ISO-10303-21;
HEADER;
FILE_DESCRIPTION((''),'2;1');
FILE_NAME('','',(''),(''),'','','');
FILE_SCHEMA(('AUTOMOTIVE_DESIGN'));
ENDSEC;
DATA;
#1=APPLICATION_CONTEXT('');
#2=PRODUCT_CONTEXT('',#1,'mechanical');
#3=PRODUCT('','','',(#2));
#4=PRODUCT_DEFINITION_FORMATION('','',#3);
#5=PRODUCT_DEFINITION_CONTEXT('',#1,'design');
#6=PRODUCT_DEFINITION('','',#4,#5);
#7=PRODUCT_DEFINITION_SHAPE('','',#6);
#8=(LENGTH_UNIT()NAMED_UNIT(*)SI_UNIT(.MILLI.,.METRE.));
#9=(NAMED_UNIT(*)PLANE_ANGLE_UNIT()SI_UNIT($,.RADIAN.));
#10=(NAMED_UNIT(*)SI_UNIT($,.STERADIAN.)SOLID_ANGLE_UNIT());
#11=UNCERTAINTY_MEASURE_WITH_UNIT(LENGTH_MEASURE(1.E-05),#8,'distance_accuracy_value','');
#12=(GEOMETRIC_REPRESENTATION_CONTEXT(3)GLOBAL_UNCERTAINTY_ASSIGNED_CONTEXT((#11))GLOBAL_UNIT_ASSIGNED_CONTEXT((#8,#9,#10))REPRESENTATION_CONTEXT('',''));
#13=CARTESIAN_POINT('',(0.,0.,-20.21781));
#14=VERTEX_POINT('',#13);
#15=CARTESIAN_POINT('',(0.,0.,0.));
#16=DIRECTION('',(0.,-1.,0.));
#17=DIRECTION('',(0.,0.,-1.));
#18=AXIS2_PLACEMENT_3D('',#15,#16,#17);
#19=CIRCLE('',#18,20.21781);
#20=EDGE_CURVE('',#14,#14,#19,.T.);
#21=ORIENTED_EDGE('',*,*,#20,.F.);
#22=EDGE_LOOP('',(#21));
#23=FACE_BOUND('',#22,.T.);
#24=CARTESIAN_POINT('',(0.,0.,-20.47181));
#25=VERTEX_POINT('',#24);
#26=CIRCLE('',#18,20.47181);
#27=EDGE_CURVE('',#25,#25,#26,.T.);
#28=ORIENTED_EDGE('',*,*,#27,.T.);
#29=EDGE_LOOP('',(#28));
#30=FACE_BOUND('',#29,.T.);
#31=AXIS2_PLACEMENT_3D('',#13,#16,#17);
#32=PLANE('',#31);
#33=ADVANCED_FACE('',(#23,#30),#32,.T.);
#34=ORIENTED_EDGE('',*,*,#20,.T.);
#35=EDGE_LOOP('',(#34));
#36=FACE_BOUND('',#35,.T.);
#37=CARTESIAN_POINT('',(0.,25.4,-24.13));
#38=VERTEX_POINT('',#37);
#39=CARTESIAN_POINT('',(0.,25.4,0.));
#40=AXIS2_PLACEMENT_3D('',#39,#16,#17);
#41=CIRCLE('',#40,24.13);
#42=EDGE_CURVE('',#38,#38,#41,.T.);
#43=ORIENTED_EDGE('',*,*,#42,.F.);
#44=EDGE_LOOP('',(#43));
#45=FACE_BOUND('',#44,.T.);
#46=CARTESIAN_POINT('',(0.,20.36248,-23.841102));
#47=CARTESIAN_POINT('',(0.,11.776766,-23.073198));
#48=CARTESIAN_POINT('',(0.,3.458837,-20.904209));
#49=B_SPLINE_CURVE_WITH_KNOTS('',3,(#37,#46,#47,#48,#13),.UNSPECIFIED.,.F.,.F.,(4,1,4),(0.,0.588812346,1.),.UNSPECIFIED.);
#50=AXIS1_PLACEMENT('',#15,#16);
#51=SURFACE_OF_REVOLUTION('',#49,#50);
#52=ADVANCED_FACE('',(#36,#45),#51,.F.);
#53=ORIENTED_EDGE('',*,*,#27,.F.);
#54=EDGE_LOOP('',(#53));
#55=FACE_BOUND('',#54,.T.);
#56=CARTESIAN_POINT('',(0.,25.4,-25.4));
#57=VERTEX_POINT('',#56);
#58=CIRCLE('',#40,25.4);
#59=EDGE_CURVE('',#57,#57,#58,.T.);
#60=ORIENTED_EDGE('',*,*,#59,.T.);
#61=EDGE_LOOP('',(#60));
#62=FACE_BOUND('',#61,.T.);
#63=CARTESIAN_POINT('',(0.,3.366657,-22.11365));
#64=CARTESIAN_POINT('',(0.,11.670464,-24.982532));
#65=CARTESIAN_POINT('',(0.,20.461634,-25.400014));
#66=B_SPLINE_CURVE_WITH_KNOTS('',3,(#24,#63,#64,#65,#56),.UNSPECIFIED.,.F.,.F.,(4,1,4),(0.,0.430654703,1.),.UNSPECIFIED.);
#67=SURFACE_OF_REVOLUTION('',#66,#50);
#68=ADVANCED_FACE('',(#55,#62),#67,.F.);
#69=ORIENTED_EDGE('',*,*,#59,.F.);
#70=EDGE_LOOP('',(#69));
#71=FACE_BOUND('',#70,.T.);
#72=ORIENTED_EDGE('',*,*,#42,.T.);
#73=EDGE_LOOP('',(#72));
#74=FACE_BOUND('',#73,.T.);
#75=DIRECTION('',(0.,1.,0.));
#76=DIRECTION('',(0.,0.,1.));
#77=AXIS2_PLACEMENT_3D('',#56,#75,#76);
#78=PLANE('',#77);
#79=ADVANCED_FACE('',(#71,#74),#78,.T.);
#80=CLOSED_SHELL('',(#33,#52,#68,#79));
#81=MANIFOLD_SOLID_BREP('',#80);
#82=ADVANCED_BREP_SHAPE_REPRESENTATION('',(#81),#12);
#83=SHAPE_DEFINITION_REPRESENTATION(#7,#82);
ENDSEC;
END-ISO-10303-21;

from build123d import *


with BuildPart() as part:
    # Sketch2 → Revolve1 (revolve)
    with BuildSketch(Plane(origin=(0, 0, 0), x_dir=(0, 0, -1), z_dir=(1, 0, 0))):
        with BuildLine():
            Line((25.4, 25.4), (24.13, 25.4))
            add(Edge.make_bspline(
                [(24.13, 25.4), (23.841101975, 20.362479875), (23.073197648, 11.776766009), (20.904209389, 3.458837223), (20.217810351, 0)],
                knots=[0, 0, 0, 0, 0.588812346, 1, 1, 1, 1], degree=3))
            Line((20.217810351, 0), (20.471810351, 0))
            add(Edge.make_bspline(
                [(25.4, 25.4), (25.400014218, 20.461634146), (24.982532369, 11.670463745), (22.113649649, 3.366656959), (20.471810351, 0)],
                knots=[0, 0, 0, 0, 0.569345297, 1, 1, 1, 1], degree=3))
        make_face()
    revolve(axis=Axis((0, 0, 0), (0, 1, 0)))


solid = part.part
